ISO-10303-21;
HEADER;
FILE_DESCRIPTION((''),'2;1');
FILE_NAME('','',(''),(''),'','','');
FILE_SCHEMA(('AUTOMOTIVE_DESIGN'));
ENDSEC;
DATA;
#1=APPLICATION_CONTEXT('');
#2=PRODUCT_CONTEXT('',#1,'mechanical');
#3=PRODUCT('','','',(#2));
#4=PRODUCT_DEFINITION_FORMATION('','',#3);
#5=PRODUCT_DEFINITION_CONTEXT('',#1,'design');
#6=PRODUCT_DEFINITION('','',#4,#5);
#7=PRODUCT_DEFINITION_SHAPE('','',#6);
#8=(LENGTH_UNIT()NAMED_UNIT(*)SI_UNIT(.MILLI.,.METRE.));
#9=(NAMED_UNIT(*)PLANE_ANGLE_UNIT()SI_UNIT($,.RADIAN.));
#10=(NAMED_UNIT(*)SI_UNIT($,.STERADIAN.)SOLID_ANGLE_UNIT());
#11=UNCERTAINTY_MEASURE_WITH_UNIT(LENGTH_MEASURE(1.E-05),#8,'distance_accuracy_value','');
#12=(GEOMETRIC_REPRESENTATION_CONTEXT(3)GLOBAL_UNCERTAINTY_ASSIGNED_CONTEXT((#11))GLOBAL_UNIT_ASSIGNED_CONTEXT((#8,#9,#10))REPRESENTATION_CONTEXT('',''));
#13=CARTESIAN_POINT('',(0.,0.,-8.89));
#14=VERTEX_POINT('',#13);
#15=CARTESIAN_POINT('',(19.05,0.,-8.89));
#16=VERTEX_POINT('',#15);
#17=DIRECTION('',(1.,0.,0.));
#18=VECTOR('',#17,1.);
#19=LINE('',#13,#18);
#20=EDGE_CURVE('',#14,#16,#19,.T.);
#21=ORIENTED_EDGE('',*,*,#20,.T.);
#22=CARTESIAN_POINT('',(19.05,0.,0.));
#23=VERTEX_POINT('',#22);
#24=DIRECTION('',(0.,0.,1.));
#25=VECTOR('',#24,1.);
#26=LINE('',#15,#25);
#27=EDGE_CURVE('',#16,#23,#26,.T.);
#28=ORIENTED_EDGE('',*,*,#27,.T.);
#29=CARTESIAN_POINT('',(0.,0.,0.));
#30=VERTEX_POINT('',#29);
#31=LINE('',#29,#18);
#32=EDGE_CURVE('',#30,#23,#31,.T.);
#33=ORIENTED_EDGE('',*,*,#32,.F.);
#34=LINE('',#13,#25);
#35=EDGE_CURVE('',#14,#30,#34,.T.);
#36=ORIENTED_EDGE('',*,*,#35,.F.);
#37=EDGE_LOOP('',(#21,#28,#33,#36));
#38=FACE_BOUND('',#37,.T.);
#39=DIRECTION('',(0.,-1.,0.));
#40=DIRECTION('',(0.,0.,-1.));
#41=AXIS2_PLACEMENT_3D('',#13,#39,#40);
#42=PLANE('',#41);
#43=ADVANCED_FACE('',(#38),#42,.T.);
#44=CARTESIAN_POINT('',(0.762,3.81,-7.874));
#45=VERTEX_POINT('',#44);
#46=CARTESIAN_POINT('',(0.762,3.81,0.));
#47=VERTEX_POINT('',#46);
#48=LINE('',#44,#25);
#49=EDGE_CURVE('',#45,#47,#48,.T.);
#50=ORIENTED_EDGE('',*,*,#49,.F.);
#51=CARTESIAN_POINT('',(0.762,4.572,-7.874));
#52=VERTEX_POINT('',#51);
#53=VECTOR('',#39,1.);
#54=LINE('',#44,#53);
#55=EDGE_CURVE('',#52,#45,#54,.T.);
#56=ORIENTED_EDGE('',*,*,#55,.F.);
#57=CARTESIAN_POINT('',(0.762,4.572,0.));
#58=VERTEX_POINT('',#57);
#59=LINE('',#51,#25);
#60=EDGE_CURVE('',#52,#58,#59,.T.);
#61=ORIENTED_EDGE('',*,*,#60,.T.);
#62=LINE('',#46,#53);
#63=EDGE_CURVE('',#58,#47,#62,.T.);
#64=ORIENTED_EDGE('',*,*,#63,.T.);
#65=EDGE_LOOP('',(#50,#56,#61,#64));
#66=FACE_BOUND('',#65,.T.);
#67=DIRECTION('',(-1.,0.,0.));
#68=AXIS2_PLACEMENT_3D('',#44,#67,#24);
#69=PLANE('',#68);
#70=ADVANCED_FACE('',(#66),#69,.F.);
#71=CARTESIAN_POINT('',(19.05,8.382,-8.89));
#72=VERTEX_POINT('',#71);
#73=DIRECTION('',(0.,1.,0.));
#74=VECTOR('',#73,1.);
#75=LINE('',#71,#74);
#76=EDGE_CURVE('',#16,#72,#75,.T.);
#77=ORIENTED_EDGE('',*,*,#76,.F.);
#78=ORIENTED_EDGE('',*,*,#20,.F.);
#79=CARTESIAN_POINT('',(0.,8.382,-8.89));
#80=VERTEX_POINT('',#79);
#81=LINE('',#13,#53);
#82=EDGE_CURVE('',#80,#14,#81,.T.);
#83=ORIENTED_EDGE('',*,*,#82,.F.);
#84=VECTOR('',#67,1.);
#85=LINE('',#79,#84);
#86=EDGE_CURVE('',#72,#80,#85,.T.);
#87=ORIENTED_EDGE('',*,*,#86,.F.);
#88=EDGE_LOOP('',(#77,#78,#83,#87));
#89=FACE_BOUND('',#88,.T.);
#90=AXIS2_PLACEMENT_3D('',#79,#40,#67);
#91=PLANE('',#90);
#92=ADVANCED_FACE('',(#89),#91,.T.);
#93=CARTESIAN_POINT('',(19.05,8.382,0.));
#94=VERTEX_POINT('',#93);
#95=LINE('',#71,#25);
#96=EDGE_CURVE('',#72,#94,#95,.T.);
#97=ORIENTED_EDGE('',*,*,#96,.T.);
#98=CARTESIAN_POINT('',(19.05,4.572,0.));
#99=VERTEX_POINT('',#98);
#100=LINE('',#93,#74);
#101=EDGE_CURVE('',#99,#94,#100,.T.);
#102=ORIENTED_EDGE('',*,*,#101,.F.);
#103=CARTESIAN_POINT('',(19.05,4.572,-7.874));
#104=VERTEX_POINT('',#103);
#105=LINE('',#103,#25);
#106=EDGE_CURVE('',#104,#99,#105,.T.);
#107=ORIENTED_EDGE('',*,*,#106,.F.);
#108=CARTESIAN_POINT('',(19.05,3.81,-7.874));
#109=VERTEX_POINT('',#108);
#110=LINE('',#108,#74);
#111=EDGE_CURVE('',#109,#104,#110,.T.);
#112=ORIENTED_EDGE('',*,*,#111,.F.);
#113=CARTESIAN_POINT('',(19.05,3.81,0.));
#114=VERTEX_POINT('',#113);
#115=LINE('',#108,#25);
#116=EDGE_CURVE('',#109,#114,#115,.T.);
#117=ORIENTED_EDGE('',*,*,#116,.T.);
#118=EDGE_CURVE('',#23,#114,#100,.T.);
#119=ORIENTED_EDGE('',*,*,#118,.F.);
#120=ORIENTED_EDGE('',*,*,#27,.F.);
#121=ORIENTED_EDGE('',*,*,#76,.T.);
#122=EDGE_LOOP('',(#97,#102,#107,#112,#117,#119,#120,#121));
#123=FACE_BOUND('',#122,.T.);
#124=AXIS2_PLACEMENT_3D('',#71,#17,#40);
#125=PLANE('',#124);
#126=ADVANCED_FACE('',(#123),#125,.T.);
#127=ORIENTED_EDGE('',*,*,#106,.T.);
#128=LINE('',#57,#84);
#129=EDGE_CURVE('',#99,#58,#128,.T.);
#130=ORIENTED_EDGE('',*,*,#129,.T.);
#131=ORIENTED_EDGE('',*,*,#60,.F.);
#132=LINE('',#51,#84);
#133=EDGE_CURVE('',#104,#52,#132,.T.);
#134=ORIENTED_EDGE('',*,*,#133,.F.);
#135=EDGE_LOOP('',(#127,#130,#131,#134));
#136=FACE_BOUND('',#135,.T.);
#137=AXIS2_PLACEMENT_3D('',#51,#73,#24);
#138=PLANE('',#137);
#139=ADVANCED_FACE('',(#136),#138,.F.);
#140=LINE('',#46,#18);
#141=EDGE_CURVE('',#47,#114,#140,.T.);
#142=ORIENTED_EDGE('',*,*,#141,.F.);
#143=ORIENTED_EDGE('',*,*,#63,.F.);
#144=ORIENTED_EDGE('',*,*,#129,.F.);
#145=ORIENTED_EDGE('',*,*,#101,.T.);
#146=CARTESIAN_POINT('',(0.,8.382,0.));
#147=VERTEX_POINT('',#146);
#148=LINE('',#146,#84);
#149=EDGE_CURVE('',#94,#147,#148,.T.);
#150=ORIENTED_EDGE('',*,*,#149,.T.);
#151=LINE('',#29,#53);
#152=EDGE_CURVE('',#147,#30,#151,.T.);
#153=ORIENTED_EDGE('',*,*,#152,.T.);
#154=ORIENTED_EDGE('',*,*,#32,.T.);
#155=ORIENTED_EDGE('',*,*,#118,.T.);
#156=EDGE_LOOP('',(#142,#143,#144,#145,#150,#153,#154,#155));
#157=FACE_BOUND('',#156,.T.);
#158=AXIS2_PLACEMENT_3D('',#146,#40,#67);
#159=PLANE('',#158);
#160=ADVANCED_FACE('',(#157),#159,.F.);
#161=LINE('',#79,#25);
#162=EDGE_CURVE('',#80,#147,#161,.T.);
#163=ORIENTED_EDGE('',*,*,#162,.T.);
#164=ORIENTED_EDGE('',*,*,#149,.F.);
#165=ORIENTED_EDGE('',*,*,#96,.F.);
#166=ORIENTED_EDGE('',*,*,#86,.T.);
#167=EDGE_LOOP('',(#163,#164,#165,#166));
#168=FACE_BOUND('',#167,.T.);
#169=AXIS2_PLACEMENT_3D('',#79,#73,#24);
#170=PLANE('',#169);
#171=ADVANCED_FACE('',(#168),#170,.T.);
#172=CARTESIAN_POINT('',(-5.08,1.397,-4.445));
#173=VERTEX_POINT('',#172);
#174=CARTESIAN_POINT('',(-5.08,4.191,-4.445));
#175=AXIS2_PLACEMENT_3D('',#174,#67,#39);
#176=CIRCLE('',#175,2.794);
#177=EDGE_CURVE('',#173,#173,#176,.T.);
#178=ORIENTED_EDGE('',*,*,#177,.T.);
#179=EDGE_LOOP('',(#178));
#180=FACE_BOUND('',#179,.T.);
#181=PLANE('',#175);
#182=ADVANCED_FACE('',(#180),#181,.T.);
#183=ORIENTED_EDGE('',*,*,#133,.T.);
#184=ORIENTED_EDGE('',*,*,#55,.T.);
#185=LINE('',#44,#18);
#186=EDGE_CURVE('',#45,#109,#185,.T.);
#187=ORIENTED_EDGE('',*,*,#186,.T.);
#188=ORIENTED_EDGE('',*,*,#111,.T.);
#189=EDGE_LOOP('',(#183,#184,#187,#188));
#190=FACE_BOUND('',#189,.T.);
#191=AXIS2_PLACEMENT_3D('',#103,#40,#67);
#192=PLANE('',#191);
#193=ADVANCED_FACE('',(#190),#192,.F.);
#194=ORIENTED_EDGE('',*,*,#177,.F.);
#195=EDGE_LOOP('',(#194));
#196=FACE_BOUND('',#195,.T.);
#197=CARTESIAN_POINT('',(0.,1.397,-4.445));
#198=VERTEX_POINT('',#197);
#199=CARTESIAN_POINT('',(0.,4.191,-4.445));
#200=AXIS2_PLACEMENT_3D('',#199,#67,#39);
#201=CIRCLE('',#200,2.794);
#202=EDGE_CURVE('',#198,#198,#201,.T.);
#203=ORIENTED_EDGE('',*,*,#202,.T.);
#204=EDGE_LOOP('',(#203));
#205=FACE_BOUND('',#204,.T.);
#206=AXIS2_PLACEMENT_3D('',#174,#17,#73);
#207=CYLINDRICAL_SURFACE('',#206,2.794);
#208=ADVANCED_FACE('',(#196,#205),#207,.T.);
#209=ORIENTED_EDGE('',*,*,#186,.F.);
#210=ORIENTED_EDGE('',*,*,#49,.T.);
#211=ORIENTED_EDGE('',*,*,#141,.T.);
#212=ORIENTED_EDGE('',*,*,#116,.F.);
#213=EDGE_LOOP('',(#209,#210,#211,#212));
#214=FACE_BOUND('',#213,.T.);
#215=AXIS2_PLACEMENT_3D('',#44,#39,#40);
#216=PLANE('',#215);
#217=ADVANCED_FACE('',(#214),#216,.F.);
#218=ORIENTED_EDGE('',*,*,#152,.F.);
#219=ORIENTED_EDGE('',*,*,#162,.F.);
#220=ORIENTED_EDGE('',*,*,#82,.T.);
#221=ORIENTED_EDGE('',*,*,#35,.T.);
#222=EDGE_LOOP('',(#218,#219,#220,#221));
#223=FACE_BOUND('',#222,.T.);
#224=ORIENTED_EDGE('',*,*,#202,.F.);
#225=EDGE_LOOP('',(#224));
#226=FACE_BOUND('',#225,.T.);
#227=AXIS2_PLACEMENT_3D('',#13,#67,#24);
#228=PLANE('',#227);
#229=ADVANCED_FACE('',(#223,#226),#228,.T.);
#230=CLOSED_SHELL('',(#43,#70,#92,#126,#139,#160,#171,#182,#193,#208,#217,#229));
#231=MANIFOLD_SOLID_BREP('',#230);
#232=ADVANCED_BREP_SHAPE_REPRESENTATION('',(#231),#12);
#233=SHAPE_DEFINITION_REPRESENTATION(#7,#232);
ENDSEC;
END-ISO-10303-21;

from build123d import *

# Parameters (mm, degrees)
SKETCH1_W           = 19.05
SKETCH1_H           = 8.382
BOSS_EXTRUDE2_DEPTH = 8.89
SKETCH3_W           = 18.288
SKETCH3_H           = 0.762
CUT_EXTRUDE1_DEPTH  = 7.874
SKETCH4_R           = 2.794
BOSS_EXTRUDE3_DEPTH = 5.08


with BuildPart() as part:
    # Sketch1 → Boss-Extrude2 (new body)
    with BuildSketch(Plane.XY):
        with Locations((9.525, 4.191)):
            Rectangle(SKETCH1_W, SKETCH1_H)
    extrude(amount=-BOSS_EXTRUDE2_DEPTH)

    # Sketch3 → Cut-Extrude1 (cut)
    with BuildSketch(Plane.XY):
        with Locations((9.906, 4.191)):
            Rectangle(SKETCH3_W, SKETCH3_H)
    extrude(amount=-CUT_EXTRUDE1_DEPTH, mode=Mode.SUBTRACT)

    # Sketch4 → Boss-Extrude3 (add)
    with BuildSketch(Plane.ZY):
        with Locations(Location((-4.445, 4.191, 0), (0, 0, 270))):
            Circle(SKETCH4_R)
    extrude(amount=BOSS_EXTRUDE3_DEPTH)


solid = part.part
